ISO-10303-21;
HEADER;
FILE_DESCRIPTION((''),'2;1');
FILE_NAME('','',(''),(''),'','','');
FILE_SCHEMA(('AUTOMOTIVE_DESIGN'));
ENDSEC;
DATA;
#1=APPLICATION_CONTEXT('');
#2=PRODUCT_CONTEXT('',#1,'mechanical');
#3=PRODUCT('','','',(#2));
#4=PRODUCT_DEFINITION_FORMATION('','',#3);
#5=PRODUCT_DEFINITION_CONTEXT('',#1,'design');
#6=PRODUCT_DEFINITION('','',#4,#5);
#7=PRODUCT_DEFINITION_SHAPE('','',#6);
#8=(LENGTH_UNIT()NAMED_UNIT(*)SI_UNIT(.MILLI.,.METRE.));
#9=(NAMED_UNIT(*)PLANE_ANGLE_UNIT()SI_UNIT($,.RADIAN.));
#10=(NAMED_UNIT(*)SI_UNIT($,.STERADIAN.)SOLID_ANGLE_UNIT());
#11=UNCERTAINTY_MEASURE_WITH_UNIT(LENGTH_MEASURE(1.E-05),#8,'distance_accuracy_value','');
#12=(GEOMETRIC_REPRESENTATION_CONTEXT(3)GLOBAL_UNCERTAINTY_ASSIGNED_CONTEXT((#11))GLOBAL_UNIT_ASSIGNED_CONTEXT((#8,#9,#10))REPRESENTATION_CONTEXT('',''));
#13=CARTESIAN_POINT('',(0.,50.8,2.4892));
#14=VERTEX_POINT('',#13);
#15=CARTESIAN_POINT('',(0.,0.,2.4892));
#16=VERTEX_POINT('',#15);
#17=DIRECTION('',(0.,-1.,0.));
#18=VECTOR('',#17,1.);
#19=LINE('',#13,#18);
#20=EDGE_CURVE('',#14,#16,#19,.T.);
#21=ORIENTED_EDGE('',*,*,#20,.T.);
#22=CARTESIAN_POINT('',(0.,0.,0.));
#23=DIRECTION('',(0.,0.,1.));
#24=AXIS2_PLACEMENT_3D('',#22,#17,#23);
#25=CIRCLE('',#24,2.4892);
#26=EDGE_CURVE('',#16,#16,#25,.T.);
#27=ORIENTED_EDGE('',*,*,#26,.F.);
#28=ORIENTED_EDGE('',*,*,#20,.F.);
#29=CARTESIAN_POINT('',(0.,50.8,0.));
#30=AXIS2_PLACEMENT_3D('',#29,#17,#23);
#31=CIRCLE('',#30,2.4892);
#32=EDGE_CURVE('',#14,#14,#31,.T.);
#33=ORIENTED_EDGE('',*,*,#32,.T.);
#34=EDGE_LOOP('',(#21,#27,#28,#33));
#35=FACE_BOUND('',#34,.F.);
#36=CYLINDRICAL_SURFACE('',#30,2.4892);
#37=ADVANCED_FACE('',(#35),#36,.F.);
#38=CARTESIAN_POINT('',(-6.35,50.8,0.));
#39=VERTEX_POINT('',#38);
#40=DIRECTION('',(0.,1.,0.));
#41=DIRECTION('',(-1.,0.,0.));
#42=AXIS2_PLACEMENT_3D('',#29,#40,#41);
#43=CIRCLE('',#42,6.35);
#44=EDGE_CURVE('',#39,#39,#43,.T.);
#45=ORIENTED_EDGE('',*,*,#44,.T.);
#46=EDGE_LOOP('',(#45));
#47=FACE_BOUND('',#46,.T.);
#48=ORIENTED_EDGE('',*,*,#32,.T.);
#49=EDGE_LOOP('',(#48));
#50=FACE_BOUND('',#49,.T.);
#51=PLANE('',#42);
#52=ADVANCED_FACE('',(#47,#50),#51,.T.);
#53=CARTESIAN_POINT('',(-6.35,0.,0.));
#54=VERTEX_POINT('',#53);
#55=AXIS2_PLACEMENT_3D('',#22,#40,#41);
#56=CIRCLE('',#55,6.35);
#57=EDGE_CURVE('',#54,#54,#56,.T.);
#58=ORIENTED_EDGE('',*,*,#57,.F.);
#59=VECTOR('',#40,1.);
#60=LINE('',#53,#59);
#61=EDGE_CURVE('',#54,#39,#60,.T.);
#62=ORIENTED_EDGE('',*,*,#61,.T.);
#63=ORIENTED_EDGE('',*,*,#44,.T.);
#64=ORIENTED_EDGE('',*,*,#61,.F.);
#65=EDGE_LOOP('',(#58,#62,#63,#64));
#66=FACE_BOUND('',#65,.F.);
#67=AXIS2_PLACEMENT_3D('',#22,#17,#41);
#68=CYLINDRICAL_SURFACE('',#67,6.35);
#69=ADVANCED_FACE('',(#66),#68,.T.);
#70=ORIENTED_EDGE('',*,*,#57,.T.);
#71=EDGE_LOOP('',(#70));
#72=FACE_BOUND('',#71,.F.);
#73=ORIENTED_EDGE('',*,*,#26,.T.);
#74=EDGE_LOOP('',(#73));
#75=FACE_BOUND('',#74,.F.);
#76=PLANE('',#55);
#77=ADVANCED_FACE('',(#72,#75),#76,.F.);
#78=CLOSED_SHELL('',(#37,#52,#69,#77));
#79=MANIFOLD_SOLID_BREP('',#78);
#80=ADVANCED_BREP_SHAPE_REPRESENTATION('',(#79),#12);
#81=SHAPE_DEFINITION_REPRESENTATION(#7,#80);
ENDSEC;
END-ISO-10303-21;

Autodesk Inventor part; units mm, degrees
ref_plane "YZ Plane" through (0, 0, 0) normal (1, 0, 0) x (0, 1, 0)
ref_plane "XZ Plane" through (0, 0, 0) normal (0, 1, 0) x (-1, 0, 0)
ref_plane "XY Plane" through (0, 0, 0) normal (0, 0, 1) x (1, 0, 0)
sketch "Sketch1" plane through (0, 0, 0) normal (0, 1, 0) x (-1, 0, 0)
  circle A0 centre (0, 0) radius 6.35
  dimension "d0" = 12.7
extrude "Extrusion1" add sketch "Sketch1" along normal blind 50.8
sketch "Sketch2" plane through (0, 50.8, 0) normal (0, 1, 0) x (1, 0, 0)
  circle A0 centre (0, 0) radius 6.35 projected
hole "Hole1" at (0, 50.8, 0) direction (0, -1, 0) diameter 4.9784 end through all thread size "1/4-20 UNC" class "2B" standard "ANSI Unified Screw Threads"
properties part number "ELEV_034_SPACER8" material "Aluminum 6061"
